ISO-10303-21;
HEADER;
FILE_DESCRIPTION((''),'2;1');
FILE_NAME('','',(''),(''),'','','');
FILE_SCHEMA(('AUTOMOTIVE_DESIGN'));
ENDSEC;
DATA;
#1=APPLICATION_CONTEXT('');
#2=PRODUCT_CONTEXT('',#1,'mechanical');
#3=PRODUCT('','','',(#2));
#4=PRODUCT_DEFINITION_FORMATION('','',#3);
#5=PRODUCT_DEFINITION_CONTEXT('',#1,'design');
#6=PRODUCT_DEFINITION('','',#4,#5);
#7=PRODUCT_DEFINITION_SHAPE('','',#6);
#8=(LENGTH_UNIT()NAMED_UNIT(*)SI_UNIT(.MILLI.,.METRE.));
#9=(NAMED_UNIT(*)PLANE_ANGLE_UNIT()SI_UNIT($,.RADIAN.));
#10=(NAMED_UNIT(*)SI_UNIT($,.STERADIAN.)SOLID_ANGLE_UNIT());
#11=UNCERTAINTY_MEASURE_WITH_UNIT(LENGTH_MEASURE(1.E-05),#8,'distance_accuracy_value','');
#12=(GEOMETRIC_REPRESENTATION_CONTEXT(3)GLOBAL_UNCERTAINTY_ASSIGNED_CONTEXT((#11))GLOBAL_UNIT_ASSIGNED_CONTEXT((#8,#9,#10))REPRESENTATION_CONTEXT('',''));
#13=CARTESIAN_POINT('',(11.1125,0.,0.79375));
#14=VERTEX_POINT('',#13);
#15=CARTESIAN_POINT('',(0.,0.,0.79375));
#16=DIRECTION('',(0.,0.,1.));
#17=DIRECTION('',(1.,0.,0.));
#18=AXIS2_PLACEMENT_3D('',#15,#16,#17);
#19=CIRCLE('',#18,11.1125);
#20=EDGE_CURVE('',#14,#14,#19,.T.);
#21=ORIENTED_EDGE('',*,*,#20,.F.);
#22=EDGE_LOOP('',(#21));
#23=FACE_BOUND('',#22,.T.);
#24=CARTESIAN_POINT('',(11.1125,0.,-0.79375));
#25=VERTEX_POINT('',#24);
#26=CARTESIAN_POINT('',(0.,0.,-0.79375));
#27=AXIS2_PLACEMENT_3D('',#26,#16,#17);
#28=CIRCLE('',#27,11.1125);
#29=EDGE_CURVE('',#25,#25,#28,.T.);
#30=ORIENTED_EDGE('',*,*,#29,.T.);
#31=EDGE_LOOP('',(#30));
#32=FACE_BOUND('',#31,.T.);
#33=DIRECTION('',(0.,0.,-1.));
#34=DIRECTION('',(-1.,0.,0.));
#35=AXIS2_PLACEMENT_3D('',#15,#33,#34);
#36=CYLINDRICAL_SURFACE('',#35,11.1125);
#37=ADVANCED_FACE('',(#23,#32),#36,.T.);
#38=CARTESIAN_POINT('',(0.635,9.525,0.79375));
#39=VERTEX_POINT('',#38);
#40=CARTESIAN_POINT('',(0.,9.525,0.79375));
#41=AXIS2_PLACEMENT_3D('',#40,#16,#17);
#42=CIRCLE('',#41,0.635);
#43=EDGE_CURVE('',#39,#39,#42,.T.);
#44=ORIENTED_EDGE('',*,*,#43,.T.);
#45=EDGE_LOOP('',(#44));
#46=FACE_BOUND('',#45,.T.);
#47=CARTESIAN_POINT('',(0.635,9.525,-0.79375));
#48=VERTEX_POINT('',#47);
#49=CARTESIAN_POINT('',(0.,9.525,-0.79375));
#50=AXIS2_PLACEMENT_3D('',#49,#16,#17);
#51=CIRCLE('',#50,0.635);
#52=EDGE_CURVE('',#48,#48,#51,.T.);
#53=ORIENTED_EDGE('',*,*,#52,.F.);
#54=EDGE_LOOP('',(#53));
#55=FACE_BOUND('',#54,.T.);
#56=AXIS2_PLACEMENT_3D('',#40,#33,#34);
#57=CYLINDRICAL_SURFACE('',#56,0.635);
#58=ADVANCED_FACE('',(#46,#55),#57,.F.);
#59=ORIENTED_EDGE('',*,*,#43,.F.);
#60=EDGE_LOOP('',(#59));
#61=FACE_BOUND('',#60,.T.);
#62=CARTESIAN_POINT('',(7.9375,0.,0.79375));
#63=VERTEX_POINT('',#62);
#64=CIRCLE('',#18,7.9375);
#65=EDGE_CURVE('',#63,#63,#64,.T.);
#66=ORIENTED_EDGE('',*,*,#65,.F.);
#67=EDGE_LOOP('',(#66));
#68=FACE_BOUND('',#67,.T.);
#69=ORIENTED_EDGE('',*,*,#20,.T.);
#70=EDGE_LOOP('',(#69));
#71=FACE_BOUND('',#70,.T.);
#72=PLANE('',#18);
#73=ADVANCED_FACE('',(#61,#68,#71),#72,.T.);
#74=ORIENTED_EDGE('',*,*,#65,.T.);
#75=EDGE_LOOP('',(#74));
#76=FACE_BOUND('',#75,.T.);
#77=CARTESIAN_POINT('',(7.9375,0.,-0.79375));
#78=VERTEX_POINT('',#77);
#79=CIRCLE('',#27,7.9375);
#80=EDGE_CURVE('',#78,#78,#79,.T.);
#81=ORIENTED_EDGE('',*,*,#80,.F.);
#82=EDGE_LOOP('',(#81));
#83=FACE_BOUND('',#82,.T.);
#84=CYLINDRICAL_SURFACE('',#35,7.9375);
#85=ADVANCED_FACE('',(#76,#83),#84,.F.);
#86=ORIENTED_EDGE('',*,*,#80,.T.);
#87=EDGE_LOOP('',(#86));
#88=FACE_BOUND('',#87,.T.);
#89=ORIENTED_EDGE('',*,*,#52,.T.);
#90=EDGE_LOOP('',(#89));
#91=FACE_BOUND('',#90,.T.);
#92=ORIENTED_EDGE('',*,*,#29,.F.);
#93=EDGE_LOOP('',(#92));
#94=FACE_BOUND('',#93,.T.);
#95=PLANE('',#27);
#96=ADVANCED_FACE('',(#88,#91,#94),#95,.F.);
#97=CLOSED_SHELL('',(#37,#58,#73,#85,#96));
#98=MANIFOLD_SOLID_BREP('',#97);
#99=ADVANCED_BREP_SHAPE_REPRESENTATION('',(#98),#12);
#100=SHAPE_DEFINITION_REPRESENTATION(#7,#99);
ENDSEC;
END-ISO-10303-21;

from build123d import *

# Parameters (mm, degrees)
SKETCH3_R           = 11.1125
SKETCH3_R_2         = 7.9375
SKETCH3_R_3         = 0.635
BOSS_EXTRUDE1_DEPTH = 0.79375


with BuildPart() as part:
    # Sketch3 → Boss-Extrude1 (new, symmetric)
    with BuildSketch(Plane.XY):
        Circle(SKETCH3_R)
        Circle(SKETCH3_R_2, mode=Mode.SUBTRACT)
        with Locations((0, 9.525)):
            Circle(SKETCH3_R_3, mode=Mode.SUBTRACT)
    extrude(amount=BOSS_EXTRUDE1_DEPTH, both=True)


solid = part.part
